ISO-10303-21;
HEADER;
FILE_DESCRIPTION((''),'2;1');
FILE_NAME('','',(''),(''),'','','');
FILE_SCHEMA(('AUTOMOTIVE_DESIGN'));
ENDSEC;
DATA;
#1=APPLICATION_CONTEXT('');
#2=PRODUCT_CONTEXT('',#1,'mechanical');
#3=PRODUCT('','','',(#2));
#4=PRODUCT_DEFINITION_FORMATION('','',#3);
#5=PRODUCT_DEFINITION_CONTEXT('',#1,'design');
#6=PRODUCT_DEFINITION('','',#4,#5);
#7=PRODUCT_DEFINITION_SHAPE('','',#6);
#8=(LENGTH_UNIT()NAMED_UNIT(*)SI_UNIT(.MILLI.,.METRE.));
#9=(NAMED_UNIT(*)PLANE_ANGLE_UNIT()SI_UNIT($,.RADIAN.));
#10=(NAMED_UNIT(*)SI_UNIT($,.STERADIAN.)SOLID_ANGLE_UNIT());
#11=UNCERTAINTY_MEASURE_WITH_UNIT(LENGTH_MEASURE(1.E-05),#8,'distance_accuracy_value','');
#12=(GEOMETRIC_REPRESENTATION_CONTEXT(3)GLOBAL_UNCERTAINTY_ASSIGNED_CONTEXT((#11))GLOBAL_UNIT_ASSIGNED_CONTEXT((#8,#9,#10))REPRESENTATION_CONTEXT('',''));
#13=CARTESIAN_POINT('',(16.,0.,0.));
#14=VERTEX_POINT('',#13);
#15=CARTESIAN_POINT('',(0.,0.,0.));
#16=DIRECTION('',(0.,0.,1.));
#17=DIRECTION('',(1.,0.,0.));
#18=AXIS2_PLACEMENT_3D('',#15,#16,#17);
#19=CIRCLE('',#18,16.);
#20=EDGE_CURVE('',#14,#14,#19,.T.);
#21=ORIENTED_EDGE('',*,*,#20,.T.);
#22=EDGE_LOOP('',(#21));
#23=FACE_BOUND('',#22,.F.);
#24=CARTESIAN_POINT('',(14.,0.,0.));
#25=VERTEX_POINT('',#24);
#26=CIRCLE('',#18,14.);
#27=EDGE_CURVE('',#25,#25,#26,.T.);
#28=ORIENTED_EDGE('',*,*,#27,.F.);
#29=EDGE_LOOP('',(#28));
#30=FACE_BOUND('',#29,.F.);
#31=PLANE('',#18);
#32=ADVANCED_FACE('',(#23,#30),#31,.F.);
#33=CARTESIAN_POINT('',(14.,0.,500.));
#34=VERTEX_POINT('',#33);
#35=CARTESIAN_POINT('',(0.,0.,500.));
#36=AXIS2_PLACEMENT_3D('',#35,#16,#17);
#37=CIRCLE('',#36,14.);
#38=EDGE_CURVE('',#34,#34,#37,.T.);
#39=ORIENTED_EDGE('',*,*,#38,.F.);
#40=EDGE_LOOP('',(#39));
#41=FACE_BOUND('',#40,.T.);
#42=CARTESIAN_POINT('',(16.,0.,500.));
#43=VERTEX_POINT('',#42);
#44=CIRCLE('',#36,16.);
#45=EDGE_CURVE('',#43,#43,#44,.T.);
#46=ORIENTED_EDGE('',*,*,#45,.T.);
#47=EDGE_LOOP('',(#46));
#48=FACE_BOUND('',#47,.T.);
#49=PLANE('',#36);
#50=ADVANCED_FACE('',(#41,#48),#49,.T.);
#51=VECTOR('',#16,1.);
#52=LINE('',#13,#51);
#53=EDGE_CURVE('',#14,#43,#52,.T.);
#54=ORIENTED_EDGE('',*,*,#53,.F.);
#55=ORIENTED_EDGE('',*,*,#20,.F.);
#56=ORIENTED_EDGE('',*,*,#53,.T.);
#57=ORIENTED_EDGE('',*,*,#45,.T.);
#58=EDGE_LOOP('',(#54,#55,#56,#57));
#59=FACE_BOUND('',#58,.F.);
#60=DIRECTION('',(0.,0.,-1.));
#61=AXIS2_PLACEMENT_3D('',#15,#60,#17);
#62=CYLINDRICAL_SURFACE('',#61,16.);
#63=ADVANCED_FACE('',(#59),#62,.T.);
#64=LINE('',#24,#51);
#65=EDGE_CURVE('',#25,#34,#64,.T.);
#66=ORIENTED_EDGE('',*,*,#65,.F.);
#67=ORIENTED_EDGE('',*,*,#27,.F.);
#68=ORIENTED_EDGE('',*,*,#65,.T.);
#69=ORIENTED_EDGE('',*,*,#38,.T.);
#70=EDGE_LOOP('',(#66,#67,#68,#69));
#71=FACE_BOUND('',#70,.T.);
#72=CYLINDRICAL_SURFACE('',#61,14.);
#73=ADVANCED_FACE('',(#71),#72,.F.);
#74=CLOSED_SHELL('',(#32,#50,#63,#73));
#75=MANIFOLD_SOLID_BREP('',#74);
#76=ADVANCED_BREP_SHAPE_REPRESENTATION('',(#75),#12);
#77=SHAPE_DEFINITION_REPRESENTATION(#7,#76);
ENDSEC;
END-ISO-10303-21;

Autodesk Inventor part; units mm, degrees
ref_plane "YZ Plane" through (0, 0, 0) normal (1, 0, 0) x (0, 1, 0)
ref_plane "XZ Plane" through (0, 0, 0) normal (0, 1, 0) x (-1, 0, 0)
ref_plane "XY Plane" through (0, 0, 0) normal (0, 0, 1) x (1, 0, 0)
sketch "Sketch1" plane through (0, 0, 0) normal (0, 0, 1) x (1, 0, 0)
  circle A0 centre (0, 0) radius 14
  circle A1 centre (0, 0) radius 16
  dimension "d1" = 2
  dimension "d4" = 32
extrude "Extrusion1" add sketch "Sketch1" along normal blind 500
equation "\"d4\" = Внешний_диам_вала"
equation "\"d2\" = Длина_вала"
equation "\"Внешний_диам_вала\" = 32"
equation "\"Длина_вала\" = 500"
properties part number "вал малый"
